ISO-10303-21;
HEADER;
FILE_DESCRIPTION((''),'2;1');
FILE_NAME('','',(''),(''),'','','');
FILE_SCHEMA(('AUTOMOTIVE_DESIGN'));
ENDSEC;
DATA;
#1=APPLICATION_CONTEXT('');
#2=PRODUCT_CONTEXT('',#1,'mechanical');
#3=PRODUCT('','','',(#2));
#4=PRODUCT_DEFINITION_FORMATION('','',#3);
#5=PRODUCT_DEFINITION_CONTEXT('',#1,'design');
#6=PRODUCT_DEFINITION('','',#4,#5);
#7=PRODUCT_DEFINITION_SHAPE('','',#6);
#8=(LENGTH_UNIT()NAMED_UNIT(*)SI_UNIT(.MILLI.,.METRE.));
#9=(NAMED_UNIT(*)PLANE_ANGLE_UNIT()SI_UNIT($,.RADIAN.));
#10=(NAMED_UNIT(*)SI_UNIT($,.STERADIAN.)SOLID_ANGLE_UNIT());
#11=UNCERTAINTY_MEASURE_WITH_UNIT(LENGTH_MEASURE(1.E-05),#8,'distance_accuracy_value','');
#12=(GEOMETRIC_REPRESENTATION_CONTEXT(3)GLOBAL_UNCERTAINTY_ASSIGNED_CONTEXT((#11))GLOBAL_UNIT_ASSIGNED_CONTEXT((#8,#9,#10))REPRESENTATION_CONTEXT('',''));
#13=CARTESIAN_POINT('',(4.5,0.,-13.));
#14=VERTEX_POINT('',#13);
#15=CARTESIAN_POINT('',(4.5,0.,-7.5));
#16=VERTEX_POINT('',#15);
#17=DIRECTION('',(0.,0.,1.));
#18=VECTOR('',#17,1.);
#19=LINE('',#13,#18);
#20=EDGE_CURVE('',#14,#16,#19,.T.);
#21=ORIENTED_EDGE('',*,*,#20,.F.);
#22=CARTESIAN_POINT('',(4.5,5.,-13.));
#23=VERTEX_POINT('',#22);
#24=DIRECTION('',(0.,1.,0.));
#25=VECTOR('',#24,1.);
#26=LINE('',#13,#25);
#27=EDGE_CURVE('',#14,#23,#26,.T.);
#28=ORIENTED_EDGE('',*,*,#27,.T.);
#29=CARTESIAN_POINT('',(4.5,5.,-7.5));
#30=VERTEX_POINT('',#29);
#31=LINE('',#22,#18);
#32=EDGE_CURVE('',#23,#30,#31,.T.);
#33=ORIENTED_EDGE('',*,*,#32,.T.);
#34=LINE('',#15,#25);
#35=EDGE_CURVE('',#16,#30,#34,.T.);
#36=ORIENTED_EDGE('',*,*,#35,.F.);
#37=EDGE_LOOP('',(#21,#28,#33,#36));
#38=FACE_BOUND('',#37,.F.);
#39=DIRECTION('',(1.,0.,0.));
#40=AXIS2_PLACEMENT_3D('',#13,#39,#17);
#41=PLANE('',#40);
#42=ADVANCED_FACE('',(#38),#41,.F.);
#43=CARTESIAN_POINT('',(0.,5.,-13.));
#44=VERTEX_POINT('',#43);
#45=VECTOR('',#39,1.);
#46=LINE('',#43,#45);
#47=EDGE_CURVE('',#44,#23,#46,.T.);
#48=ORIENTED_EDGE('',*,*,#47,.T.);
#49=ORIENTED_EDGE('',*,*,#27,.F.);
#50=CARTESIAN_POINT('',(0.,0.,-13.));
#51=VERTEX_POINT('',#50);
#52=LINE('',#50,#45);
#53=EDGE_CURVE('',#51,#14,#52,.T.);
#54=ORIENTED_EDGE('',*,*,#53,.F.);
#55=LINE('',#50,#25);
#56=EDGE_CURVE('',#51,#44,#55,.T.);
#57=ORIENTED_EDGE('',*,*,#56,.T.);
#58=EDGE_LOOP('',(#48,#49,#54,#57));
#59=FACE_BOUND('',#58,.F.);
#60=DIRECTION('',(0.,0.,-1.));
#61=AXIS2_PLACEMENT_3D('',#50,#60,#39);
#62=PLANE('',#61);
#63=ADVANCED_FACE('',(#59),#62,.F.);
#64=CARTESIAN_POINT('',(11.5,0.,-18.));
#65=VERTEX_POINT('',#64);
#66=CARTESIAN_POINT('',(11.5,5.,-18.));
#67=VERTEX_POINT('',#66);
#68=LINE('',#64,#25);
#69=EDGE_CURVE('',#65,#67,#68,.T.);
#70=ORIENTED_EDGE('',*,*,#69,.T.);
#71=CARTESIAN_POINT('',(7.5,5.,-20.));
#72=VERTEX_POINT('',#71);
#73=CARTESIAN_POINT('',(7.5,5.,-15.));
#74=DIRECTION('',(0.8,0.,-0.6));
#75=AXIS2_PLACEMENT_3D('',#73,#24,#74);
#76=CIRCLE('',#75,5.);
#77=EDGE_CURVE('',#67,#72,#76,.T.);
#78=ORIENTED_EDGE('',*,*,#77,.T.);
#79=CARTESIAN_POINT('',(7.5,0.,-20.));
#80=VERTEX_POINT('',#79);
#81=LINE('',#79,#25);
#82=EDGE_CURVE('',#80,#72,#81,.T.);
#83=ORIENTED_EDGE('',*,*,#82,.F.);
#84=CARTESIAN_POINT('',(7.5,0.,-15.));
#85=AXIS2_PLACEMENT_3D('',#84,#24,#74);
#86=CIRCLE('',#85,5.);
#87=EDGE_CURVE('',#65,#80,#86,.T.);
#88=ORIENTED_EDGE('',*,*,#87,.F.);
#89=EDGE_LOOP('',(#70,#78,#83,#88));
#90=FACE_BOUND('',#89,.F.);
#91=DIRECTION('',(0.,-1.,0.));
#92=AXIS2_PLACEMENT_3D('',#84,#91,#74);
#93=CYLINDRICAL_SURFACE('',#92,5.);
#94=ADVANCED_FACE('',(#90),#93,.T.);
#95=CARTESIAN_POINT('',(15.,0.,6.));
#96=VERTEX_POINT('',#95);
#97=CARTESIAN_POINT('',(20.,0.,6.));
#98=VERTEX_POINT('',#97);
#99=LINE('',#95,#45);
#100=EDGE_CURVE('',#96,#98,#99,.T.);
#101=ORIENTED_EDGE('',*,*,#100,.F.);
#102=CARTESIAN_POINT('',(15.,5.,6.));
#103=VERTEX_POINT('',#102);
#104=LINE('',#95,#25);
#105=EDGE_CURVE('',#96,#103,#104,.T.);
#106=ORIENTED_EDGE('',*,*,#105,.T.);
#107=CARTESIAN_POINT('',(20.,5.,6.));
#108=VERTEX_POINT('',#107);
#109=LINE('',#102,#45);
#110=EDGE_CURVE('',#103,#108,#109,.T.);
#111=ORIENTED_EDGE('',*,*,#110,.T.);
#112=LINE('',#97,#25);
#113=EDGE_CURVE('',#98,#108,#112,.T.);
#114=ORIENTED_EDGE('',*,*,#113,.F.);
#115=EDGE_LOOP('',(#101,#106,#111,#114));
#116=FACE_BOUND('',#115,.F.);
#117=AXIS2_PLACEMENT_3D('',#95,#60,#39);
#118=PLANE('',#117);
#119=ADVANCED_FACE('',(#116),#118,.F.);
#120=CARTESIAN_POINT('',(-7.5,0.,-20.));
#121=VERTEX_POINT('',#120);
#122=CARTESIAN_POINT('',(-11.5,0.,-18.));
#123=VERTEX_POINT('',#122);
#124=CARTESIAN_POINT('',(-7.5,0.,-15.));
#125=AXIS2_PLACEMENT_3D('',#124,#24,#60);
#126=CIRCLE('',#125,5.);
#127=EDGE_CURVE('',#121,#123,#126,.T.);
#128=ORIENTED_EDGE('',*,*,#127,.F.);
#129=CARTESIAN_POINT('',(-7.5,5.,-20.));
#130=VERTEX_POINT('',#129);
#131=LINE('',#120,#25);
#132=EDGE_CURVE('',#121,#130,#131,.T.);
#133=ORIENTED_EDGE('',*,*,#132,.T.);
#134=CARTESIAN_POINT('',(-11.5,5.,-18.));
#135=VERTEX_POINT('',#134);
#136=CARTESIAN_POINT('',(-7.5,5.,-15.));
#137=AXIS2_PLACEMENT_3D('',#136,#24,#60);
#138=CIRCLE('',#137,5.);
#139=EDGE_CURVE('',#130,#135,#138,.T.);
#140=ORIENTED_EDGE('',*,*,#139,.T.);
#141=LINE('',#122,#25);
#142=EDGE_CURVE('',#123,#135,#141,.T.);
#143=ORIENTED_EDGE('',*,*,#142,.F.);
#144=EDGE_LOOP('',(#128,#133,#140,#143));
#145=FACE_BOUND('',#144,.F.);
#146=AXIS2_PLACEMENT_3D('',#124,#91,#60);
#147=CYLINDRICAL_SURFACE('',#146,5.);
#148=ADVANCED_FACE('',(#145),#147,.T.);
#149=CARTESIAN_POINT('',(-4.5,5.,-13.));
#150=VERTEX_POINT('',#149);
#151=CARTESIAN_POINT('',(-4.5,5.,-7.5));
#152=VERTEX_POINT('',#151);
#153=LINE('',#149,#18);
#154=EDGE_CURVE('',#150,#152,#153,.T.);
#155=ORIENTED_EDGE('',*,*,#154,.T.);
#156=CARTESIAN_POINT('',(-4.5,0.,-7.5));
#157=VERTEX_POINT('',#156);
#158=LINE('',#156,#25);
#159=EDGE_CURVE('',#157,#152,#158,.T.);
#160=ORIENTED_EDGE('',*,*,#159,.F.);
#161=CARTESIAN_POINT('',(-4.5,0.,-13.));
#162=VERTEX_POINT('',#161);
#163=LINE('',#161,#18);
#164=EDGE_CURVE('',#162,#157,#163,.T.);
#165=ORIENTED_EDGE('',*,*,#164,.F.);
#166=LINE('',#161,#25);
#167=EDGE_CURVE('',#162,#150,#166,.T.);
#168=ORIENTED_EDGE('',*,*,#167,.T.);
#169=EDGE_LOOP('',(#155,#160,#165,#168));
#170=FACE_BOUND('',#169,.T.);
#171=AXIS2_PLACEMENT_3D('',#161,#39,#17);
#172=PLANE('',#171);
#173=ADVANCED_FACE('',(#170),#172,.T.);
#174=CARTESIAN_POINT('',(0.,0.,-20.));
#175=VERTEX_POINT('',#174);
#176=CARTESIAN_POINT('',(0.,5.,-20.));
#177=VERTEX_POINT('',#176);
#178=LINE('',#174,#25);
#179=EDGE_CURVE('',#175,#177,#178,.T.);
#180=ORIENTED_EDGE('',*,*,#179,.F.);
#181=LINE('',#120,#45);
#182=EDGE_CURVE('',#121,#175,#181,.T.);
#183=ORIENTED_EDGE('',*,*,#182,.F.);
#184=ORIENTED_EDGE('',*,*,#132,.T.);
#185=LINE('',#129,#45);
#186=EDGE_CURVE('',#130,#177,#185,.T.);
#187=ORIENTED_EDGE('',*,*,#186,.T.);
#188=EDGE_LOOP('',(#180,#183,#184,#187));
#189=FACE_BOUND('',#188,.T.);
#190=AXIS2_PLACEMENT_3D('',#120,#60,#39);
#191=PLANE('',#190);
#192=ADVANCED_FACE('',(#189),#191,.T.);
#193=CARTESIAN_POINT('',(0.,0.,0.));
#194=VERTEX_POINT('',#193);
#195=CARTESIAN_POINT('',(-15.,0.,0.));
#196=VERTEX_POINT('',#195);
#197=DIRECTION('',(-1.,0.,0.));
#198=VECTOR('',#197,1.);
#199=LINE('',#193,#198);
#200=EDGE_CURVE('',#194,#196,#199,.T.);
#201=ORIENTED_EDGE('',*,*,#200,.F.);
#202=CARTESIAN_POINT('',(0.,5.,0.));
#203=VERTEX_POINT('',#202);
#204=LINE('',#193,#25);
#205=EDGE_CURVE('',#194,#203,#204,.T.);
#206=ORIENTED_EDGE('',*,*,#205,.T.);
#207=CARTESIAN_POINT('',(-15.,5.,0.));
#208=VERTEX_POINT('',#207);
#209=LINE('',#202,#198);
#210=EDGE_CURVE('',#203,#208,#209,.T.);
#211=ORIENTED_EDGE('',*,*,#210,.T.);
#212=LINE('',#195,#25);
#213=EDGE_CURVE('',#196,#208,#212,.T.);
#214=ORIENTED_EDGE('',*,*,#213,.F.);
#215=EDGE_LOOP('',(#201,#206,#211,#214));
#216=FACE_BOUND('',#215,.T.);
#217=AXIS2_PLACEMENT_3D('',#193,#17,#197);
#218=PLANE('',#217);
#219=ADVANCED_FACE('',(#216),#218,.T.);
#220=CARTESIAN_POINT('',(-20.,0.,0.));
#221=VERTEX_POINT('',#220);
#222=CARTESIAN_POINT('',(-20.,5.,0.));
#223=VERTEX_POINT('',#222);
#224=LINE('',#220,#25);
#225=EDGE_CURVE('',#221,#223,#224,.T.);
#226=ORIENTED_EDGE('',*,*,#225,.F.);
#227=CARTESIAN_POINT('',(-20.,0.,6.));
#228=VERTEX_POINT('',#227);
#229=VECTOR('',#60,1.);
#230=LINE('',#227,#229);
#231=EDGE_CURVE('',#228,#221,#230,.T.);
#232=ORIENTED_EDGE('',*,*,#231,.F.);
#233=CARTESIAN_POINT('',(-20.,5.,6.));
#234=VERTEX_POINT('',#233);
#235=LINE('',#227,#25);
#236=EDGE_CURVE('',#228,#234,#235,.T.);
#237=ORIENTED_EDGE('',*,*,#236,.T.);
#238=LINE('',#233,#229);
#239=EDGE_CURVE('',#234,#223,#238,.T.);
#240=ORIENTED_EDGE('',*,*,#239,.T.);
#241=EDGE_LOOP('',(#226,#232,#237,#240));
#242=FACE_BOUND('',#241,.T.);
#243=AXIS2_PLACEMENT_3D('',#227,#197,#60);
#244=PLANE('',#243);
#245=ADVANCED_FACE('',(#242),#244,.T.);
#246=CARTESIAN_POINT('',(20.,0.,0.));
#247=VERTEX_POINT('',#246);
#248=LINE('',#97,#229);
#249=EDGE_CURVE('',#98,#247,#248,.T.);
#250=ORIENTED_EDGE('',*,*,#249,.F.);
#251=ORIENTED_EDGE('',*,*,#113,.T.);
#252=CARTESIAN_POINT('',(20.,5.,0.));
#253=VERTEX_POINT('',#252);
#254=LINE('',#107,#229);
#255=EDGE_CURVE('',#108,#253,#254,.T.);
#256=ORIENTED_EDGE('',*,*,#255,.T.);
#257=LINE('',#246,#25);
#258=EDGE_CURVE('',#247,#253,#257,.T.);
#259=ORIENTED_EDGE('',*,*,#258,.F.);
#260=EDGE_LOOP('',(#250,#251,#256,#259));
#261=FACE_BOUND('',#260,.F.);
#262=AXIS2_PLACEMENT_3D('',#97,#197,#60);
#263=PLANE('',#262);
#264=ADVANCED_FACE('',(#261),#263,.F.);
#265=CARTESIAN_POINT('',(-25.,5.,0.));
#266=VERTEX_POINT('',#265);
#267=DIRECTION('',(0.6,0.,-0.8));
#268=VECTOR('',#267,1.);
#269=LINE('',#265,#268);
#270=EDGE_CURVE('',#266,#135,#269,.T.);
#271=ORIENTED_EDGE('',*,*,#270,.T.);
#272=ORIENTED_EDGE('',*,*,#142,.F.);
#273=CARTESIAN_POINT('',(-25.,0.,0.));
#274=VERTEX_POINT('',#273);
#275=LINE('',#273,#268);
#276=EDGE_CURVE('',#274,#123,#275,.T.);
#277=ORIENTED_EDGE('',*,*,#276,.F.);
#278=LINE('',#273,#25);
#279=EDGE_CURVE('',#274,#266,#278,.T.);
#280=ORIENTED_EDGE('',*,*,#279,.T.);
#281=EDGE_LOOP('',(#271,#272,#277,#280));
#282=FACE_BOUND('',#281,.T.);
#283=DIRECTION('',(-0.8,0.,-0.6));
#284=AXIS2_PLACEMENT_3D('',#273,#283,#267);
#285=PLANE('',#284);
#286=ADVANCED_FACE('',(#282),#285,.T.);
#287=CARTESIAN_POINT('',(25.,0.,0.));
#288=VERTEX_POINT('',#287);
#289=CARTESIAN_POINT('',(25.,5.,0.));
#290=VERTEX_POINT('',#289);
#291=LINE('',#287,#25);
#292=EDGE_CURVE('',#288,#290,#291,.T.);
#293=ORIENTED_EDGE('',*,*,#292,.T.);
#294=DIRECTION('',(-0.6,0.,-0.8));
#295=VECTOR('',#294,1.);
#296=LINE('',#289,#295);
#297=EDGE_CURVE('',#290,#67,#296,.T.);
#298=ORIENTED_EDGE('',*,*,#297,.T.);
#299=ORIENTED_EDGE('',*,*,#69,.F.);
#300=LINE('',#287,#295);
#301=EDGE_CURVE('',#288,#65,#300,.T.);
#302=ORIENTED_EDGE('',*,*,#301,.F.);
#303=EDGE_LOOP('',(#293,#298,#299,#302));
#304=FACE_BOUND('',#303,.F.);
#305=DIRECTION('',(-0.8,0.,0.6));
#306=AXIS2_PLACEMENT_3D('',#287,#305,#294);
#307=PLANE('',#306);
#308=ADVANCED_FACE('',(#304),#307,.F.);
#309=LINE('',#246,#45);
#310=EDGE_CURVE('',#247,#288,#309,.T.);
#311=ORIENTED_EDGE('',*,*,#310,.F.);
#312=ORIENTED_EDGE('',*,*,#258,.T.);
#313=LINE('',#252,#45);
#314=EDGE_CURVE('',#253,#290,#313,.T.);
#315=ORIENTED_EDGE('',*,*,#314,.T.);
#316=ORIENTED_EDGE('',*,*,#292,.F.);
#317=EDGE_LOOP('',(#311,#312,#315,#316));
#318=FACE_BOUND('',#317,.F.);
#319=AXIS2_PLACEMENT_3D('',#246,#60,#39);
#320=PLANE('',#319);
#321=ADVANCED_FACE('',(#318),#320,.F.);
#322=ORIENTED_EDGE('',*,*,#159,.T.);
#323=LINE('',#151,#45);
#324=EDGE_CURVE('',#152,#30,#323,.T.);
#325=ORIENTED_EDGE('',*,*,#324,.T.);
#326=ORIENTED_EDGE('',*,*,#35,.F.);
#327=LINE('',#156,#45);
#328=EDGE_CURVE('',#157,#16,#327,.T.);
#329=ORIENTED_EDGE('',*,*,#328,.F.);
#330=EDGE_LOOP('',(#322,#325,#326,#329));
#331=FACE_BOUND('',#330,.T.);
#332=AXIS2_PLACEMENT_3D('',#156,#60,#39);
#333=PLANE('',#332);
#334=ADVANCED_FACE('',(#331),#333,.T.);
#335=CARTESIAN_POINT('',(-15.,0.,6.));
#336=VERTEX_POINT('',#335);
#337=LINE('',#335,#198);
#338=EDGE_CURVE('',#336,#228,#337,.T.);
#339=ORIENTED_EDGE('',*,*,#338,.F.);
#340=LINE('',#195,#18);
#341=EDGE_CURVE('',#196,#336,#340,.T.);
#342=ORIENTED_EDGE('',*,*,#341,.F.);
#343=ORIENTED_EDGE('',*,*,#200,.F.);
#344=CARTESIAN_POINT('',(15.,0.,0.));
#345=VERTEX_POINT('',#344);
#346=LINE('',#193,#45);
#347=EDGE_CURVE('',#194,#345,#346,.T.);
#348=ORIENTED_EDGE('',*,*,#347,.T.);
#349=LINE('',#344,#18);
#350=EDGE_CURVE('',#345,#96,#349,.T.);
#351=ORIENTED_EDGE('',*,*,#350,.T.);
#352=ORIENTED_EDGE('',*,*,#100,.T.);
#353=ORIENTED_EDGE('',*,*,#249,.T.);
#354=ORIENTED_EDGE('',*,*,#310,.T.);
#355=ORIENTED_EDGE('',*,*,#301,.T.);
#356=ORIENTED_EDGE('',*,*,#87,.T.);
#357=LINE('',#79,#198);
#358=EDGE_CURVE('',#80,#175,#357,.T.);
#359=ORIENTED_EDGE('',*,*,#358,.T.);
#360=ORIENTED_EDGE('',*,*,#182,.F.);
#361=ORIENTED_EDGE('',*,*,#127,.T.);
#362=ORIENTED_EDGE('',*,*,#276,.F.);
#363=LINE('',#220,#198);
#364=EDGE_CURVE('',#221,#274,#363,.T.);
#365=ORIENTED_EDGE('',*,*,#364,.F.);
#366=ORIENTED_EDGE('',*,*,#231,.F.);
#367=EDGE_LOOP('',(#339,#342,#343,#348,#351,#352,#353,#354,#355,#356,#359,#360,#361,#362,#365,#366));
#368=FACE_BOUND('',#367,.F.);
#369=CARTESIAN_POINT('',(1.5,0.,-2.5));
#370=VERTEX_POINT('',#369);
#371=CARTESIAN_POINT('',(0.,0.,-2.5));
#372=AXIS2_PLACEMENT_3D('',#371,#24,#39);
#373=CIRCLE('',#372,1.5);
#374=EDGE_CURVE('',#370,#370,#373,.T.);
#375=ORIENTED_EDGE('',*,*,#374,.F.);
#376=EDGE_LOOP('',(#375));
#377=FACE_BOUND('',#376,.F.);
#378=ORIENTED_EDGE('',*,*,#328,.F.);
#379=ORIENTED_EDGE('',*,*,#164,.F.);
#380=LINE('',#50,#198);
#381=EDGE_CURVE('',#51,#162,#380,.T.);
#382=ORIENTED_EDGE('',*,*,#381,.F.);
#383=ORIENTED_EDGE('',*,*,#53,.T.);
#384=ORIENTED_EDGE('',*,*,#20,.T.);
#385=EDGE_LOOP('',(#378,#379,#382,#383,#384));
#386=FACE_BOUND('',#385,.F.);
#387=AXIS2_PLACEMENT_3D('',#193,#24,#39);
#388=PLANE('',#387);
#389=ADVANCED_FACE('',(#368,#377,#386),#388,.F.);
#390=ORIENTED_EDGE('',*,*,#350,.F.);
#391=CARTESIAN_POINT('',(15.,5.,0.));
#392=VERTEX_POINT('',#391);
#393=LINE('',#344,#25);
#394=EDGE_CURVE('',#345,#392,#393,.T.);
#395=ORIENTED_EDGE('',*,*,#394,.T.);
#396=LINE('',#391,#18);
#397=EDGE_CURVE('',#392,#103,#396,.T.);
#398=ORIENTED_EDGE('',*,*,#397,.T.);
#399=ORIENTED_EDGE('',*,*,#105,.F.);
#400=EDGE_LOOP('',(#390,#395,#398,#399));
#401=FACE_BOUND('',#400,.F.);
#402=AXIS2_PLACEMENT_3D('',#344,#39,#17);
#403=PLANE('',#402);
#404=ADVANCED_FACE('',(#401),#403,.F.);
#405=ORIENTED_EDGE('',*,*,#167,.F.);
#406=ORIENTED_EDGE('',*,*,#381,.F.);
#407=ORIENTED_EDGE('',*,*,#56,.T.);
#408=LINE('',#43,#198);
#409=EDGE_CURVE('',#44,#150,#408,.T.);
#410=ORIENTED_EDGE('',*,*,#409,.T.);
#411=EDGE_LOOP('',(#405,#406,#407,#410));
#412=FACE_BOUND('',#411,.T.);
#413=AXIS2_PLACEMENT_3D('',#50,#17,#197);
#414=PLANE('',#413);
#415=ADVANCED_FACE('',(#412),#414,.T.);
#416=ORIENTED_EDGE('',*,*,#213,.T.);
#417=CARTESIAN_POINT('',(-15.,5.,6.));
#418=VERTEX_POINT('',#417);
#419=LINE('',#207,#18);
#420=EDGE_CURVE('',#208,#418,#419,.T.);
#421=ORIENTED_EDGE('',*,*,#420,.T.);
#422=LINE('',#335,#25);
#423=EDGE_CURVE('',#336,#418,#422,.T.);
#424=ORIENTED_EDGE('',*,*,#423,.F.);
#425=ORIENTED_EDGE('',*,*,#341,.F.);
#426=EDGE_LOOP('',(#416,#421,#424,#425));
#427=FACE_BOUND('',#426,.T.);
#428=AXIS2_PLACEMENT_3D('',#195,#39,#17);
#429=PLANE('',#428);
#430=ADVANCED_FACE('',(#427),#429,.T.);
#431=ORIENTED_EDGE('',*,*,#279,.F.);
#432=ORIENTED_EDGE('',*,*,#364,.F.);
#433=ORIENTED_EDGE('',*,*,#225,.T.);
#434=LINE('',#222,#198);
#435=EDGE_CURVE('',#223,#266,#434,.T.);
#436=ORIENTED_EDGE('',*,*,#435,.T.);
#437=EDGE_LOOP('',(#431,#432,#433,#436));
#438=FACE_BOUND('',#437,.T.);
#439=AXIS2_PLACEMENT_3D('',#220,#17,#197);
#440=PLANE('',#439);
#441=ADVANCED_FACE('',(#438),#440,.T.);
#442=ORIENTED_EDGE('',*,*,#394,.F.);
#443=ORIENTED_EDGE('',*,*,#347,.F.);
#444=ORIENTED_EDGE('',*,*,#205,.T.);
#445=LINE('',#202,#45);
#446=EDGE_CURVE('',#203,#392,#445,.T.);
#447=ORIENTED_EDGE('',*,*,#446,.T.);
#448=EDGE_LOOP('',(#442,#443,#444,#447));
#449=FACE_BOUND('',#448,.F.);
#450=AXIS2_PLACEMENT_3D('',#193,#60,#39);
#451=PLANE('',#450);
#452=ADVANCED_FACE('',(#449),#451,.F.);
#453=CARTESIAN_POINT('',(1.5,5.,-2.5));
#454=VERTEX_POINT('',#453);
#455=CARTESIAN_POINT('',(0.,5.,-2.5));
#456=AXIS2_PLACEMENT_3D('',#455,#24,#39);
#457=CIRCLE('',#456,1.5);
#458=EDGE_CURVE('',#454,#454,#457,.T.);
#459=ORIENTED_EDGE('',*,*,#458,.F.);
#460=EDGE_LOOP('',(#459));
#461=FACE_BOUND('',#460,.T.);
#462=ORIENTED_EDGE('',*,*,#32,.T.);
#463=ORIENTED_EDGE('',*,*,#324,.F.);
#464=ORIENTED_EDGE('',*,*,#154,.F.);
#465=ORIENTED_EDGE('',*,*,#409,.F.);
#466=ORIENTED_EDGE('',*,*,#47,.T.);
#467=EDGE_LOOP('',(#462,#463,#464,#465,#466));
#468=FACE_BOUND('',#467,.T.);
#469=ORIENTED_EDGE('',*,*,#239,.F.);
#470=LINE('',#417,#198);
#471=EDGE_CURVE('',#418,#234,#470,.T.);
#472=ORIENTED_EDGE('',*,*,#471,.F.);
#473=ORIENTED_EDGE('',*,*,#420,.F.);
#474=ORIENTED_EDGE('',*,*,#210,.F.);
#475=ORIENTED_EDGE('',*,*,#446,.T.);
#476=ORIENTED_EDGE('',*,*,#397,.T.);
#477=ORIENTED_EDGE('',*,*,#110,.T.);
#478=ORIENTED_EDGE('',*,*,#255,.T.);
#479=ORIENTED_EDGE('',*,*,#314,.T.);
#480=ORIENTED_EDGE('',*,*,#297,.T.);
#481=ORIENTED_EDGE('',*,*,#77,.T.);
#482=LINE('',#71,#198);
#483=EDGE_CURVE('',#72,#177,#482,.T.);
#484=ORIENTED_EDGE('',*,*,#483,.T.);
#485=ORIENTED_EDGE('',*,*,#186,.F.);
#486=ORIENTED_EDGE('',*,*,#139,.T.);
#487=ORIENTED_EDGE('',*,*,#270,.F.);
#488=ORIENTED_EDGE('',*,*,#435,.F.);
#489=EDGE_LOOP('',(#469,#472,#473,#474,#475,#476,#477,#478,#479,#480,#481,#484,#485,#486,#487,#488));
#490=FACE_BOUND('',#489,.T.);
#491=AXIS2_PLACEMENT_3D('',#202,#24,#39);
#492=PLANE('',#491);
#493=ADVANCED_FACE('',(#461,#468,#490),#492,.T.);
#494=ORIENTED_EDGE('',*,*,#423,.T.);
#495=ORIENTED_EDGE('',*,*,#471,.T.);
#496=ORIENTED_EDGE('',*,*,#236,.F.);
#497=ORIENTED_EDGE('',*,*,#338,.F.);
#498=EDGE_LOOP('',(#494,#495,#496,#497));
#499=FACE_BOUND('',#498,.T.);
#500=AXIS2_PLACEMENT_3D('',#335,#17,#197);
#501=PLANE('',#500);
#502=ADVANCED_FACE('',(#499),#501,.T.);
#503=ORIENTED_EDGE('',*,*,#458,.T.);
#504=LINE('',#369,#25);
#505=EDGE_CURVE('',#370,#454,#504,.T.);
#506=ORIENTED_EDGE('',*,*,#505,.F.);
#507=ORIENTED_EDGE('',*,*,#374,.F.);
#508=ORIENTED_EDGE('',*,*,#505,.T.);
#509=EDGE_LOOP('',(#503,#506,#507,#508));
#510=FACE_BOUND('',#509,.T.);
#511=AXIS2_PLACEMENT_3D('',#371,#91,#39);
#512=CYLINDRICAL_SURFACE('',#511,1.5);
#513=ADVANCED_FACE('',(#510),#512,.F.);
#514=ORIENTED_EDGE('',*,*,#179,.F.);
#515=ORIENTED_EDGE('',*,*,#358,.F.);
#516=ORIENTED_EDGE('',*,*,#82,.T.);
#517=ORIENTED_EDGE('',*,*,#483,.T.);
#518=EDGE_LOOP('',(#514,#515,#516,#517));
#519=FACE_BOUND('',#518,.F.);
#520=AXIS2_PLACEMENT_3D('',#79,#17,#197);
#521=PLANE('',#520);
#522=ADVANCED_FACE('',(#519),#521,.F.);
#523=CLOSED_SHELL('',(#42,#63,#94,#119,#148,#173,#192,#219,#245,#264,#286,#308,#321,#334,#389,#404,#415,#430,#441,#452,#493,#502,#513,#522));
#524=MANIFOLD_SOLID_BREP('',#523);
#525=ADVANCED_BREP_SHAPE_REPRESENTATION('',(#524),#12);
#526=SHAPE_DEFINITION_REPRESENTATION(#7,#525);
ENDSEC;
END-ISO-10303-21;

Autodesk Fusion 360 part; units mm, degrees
sketch "Sketch1" plane through (0, 0, 0) normal (0, 1, 0) x (1, 0, 0)
  line L0 (0, 0) -> (-15, 0)
  line L1 (-15, 0) -> (-15, -6)
  line L2 (-15, -6) -> (-20, -6)
  line L3 (-20, -6) -> (-20, 0)
  line L4 (-20, 0) -> (-25, 0)
  line L5 (-7.5, 20) -> (0, 20)
  line L6 (0, 0) -> (15, 0)
  line L7 (15, 0) -> (15, -6)
  line L8 (15, -6) -> (20, -6)
  line L9 (20, -6) -> (20, 0)
  line L10 (20, 0) -> (25, 0)
  line L11 (7.5, 20) -> (0, 20)
  line L12 (-25, 0) -> (-11.5, 18)
  line L13 (25, 0) -> (11.5, 18)
  arc A0 (-7.5, 20) -> (-11.5, 18) centre (-7.5, 15) ccw
  arc A1 (11.5, 18) -> (7.5, 20) centre (7.5, 15) ccw
  line L14 (0, 13) -> (-4.5, 13)
  line L15 (-4.5, 13) -> (-4.5, 7.5)
  line L16 (-4.5, 7.5) -> (4.5, 7.5)
  line L17 (0, 13) -> (4.5, 13)
  line L18 (4.5, 13) -> (4.5, 7.5)
  circle A2 centre (0, 2.5) radius 1.5
  dimension "d1" = 5
  dimension "d6" = 2.5
  dimension "d7" = 3
extrude "Extrude1" add sketch "Sketch1" along normal blind 5
